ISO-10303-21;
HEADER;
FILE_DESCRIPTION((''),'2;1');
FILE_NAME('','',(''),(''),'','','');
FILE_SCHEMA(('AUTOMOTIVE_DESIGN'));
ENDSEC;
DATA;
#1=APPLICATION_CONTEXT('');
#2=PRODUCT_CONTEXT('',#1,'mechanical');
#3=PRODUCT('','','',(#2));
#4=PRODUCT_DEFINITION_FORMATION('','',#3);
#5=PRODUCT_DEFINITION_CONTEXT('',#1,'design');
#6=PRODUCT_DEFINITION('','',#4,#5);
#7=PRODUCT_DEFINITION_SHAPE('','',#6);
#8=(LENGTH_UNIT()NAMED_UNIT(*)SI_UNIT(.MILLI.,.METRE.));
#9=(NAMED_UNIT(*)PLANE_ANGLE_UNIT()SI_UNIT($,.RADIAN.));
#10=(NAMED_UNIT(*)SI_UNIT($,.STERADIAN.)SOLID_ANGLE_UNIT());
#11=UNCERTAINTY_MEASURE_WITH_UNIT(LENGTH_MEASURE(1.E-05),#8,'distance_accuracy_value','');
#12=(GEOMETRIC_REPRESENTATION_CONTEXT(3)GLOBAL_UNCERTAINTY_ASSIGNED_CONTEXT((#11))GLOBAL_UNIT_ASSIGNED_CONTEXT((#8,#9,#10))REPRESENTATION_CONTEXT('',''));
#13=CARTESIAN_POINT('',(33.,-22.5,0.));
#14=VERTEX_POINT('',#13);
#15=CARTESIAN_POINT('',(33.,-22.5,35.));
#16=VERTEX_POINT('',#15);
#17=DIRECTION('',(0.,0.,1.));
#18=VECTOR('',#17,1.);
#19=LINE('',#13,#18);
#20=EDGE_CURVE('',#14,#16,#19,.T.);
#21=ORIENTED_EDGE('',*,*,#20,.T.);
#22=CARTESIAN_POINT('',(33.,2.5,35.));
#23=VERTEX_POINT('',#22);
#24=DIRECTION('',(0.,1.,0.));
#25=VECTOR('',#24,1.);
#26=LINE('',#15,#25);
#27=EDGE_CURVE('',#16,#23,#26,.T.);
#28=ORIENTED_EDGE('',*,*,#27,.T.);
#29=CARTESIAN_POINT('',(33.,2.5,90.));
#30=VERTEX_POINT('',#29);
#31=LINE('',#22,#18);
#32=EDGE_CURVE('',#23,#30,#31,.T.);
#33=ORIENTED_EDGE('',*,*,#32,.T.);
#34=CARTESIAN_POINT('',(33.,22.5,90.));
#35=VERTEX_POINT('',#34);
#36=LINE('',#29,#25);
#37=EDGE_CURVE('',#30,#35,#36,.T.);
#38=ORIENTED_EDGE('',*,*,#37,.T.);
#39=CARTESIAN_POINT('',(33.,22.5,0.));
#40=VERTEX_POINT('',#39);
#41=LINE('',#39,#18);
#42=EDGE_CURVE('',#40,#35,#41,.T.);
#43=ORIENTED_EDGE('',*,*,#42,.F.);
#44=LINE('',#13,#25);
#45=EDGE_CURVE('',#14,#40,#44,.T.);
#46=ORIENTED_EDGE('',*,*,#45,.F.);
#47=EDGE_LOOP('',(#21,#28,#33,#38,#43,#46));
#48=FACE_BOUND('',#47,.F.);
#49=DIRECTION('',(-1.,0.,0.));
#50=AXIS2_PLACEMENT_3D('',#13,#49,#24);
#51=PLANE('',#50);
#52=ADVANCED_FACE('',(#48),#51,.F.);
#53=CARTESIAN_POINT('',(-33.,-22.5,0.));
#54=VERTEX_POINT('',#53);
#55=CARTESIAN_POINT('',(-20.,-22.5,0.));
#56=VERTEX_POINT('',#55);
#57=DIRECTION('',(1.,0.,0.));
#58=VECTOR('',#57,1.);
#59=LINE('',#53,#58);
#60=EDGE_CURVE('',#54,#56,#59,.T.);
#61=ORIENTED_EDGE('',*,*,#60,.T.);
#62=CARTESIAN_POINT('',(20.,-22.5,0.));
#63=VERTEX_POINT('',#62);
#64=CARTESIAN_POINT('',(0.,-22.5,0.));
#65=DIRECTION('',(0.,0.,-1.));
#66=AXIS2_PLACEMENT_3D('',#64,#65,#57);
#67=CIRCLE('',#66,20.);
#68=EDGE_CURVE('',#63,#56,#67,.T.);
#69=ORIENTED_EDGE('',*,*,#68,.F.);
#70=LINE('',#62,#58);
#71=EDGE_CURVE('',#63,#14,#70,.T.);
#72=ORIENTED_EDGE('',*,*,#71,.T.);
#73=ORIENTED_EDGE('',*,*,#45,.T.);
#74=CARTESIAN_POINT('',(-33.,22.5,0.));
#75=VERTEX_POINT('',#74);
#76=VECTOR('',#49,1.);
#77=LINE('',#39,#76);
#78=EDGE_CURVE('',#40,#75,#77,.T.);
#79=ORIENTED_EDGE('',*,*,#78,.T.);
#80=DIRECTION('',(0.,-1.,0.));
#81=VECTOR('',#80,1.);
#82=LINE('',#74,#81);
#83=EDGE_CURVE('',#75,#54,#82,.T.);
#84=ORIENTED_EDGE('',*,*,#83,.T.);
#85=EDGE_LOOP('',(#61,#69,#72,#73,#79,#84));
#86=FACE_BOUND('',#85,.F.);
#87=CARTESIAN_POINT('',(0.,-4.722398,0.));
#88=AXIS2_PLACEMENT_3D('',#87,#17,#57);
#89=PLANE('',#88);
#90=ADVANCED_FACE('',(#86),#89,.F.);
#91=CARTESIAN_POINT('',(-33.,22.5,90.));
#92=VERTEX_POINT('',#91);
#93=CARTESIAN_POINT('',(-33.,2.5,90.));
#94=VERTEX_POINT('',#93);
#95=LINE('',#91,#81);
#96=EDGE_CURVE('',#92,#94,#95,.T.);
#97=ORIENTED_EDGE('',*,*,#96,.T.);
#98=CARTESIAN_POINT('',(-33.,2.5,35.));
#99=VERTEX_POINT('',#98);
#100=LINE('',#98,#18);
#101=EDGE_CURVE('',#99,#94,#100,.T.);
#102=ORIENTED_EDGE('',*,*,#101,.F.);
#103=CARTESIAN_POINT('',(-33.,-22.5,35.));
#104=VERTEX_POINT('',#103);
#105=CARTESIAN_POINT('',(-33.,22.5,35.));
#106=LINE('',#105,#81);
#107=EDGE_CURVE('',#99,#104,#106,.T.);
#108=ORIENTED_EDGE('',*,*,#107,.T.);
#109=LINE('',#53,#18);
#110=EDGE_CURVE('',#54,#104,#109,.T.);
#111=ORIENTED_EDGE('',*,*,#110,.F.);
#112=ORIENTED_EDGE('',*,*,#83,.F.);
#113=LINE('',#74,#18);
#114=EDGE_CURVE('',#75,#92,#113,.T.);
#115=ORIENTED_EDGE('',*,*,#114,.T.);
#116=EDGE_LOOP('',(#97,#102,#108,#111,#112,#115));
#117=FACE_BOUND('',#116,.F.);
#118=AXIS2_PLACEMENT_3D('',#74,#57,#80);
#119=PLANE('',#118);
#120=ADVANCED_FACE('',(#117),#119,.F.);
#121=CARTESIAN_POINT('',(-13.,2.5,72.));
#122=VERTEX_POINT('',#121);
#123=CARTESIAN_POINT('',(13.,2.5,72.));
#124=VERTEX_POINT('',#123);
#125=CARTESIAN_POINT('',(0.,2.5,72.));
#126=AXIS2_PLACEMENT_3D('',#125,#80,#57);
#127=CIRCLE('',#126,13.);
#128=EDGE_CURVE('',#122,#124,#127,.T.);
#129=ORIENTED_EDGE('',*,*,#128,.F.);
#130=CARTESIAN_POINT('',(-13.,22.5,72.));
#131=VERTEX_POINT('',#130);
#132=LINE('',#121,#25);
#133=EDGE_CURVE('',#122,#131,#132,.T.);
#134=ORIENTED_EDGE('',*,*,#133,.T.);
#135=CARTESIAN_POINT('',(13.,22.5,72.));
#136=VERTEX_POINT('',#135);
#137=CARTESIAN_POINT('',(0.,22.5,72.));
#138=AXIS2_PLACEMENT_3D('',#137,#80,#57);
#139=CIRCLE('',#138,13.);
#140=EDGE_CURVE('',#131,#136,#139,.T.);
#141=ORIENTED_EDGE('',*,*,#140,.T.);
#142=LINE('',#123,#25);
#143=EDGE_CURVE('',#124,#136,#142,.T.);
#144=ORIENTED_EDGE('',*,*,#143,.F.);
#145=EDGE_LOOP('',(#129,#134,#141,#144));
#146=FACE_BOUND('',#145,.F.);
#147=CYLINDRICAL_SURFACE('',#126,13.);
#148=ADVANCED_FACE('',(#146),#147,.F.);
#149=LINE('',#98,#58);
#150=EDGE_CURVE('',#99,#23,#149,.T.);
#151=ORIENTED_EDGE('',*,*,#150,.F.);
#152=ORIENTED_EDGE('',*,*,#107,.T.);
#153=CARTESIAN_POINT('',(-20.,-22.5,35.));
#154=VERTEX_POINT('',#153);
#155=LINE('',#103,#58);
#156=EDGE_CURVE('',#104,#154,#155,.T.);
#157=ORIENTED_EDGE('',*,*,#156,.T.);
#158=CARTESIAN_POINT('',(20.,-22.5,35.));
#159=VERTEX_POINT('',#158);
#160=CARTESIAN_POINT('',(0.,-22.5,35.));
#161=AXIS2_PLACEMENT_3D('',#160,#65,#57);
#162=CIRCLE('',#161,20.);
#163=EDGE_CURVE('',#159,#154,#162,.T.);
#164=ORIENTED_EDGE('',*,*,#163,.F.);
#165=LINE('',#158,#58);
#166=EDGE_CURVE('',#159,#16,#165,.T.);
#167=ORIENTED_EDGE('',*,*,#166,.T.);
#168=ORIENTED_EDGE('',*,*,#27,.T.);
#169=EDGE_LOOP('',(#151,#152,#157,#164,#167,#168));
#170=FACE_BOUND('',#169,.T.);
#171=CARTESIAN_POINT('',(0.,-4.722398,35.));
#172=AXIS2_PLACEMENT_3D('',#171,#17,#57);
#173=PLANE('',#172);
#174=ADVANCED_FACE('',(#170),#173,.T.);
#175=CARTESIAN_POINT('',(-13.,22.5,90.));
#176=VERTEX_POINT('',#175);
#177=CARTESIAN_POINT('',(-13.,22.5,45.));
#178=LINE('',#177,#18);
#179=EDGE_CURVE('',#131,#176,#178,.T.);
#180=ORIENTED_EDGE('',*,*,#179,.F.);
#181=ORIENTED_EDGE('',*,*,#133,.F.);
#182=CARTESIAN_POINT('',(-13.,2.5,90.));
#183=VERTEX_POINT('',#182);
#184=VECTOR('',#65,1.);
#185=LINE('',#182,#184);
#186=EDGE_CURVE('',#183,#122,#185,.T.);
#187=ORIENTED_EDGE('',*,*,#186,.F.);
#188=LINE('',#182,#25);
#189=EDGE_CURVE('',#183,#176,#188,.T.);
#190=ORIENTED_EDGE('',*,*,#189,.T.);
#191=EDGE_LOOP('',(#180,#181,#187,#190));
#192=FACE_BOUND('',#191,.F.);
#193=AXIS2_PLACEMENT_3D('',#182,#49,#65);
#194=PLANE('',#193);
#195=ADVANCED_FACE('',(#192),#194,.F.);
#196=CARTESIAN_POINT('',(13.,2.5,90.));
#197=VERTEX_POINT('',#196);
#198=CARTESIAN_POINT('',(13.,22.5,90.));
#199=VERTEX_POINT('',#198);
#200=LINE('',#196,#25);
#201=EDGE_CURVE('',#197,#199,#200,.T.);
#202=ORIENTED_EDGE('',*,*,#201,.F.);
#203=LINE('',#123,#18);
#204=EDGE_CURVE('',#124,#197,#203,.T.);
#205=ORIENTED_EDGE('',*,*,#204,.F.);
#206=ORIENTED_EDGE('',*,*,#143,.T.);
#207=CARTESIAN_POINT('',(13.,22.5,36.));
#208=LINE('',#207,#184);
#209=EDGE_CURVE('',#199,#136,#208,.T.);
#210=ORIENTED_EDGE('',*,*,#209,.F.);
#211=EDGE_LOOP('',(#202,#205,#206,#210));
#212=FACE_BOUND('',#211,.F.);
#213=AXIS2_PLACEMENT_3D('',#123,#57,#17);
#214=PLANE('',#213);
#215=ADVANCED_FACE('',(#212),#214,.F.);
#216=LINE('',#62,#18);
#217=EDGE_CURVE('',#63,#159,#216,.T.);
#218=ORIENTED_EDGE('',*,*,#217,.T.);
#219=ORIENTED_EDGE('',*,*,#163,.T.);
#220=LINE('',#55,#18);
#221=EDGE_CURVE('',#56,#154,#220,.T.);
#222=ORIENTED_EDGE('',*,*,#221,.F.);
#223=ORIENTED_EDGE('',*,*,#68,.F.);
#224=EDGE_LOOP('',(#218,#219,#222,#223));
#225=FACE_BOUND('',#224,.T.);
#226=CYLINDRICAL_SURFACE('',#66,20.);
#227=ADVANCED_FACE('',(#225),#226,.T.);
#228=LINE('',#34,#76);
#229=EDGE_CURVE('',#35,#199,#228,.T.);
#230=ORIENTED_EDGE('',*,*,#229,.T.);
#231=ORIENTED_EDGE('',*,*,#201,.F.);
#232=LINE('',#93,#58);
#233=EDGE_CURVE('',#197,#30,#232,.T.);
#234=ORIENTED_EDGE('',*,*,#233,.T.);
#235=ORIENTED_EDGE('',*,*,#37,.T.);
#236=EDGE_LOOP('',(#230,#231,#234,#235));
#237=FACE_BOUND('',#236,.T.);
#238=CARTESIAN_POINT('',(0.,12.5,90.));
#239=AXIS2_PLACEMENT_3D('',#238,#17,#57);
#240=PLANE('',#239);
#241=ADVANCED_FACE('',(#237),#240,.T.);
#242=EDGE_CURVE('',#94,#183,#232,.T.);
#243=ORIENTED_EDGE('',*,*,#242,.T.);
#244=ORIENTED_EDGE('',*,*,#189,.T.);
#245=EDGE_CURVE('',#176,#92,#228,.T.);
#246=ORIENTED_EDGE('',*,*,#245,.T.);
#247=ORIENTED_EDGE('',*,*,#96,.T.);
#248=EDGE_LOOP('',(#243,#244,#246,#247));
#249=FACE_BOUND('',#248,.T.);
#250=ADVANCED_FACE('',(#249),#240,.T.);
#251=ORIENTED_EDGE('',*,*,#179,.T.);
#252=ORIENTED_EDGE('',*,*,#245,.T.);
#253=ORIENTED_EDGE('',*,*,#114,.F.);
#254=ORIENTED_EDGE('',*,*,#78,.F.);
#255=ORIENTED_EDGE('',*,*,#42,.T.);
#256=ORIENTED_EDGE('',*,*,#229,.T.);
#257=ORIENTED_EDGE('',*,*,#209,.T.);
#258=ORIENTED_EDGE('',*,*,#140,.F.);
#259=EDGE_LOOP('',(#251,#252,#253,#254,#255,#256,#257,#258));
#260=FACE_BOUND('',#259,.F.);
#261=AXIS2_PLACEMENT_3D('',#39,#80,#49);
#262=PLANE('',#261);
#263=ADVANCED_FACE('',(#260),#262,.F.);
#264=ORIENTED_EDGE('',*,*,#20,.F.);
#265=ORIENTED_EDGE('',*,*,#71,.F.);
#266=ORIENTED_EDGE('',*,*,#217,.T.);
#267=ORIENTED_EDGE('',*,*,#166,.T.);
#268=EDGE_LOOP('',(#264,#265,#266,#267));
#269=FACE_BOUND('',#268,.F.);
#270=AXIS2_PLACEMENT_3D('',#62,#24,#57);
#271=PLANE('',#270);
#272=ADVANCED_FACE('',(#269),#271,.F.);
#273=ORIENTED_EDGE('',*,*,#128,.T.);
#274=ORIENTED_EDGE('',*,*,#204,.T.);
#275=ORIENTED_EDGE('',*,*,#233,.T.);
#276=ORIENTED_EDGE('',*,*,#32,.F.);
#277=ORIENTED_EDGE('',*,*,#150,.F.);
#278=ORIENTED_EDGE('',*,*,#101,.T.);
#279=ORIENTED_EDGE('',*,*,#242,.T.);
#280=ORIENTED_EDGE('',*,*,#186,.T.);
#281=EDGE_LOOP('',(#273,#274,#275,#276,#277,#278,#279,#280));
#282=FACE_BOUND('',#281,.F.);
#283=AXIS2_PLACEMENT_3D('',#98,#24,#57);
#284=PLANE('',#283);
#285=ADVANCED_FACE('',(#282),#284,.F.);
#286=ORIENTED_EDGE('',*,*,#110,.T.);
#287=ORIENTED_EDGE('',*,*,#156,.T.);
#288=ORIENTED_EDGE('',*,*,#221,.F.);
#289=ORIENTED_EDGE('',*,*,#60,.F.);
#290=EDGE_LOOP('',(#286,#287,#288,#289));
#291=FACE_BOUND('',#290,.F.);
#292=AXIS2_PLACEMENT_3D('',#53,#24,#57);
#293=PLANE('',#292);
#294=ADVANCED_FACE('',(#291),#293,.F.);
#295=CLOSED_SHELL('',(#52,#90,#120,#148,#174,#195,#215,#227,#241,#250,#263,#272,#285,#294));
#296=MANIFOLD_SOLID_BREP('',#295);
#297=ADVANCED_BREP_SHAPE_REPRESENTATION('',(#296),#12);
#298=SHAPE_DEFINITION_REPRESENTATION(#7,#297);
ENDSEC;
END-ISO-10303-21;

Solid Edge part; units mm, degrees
sketch "Sketch1" plane through (0, 0, 0) normal (0, 0, 1) x (1, 0, 0)
  line L0 (33, -22.5) -> (33, 22.5)
  line L1 (33, 22.5) -> (-33, 22.5)
  line L2 (-33, 22.5) -> (-33, -22.5)
  line L3 (-33, -22.5) -> (-20, -22.5)
  line L4 (20, -22.5) -> (33, -22.5)
  arc A0 (20, -22.5) -> (-20, -22.5) centre (0, -22.5) cw
extrude "Protrusion1" add sketch "Sketch1" along normal blind 35
sketch "Sketch2" plane through (0, -10, 35) normal (0, 0, 1) x (1, 0, 0)
  line L0 (-33, 12.5) -> (33, 12.5)
  line L1 (33, 12.5) -> (33, 32.5)
  line L2 (33, 32.5) -> (-33, 32.5)
  line L3 (-33, 32.5) -> (-33, 12.5)
extrude "ExtrudedProtrusion_3" add sketch "Sketch2" along normal blind 55
sketch "Sketch3" plane through (0, 2.5, 62.5) normal (0, -1, 0) x (1, 0, 0)
  line L0 (13, 9.5) -> (13, 27.5)
  arc A0 (-13, 9.5) -> (13, 9.5) centre (0, 9.5) ccw
  line L1 (-13, 27.5) -> (-13, 9.5)
extrude "Cutout1" cut sketch "Sketch3" against normal up to next material side at (12.95, 2.5, 81)
